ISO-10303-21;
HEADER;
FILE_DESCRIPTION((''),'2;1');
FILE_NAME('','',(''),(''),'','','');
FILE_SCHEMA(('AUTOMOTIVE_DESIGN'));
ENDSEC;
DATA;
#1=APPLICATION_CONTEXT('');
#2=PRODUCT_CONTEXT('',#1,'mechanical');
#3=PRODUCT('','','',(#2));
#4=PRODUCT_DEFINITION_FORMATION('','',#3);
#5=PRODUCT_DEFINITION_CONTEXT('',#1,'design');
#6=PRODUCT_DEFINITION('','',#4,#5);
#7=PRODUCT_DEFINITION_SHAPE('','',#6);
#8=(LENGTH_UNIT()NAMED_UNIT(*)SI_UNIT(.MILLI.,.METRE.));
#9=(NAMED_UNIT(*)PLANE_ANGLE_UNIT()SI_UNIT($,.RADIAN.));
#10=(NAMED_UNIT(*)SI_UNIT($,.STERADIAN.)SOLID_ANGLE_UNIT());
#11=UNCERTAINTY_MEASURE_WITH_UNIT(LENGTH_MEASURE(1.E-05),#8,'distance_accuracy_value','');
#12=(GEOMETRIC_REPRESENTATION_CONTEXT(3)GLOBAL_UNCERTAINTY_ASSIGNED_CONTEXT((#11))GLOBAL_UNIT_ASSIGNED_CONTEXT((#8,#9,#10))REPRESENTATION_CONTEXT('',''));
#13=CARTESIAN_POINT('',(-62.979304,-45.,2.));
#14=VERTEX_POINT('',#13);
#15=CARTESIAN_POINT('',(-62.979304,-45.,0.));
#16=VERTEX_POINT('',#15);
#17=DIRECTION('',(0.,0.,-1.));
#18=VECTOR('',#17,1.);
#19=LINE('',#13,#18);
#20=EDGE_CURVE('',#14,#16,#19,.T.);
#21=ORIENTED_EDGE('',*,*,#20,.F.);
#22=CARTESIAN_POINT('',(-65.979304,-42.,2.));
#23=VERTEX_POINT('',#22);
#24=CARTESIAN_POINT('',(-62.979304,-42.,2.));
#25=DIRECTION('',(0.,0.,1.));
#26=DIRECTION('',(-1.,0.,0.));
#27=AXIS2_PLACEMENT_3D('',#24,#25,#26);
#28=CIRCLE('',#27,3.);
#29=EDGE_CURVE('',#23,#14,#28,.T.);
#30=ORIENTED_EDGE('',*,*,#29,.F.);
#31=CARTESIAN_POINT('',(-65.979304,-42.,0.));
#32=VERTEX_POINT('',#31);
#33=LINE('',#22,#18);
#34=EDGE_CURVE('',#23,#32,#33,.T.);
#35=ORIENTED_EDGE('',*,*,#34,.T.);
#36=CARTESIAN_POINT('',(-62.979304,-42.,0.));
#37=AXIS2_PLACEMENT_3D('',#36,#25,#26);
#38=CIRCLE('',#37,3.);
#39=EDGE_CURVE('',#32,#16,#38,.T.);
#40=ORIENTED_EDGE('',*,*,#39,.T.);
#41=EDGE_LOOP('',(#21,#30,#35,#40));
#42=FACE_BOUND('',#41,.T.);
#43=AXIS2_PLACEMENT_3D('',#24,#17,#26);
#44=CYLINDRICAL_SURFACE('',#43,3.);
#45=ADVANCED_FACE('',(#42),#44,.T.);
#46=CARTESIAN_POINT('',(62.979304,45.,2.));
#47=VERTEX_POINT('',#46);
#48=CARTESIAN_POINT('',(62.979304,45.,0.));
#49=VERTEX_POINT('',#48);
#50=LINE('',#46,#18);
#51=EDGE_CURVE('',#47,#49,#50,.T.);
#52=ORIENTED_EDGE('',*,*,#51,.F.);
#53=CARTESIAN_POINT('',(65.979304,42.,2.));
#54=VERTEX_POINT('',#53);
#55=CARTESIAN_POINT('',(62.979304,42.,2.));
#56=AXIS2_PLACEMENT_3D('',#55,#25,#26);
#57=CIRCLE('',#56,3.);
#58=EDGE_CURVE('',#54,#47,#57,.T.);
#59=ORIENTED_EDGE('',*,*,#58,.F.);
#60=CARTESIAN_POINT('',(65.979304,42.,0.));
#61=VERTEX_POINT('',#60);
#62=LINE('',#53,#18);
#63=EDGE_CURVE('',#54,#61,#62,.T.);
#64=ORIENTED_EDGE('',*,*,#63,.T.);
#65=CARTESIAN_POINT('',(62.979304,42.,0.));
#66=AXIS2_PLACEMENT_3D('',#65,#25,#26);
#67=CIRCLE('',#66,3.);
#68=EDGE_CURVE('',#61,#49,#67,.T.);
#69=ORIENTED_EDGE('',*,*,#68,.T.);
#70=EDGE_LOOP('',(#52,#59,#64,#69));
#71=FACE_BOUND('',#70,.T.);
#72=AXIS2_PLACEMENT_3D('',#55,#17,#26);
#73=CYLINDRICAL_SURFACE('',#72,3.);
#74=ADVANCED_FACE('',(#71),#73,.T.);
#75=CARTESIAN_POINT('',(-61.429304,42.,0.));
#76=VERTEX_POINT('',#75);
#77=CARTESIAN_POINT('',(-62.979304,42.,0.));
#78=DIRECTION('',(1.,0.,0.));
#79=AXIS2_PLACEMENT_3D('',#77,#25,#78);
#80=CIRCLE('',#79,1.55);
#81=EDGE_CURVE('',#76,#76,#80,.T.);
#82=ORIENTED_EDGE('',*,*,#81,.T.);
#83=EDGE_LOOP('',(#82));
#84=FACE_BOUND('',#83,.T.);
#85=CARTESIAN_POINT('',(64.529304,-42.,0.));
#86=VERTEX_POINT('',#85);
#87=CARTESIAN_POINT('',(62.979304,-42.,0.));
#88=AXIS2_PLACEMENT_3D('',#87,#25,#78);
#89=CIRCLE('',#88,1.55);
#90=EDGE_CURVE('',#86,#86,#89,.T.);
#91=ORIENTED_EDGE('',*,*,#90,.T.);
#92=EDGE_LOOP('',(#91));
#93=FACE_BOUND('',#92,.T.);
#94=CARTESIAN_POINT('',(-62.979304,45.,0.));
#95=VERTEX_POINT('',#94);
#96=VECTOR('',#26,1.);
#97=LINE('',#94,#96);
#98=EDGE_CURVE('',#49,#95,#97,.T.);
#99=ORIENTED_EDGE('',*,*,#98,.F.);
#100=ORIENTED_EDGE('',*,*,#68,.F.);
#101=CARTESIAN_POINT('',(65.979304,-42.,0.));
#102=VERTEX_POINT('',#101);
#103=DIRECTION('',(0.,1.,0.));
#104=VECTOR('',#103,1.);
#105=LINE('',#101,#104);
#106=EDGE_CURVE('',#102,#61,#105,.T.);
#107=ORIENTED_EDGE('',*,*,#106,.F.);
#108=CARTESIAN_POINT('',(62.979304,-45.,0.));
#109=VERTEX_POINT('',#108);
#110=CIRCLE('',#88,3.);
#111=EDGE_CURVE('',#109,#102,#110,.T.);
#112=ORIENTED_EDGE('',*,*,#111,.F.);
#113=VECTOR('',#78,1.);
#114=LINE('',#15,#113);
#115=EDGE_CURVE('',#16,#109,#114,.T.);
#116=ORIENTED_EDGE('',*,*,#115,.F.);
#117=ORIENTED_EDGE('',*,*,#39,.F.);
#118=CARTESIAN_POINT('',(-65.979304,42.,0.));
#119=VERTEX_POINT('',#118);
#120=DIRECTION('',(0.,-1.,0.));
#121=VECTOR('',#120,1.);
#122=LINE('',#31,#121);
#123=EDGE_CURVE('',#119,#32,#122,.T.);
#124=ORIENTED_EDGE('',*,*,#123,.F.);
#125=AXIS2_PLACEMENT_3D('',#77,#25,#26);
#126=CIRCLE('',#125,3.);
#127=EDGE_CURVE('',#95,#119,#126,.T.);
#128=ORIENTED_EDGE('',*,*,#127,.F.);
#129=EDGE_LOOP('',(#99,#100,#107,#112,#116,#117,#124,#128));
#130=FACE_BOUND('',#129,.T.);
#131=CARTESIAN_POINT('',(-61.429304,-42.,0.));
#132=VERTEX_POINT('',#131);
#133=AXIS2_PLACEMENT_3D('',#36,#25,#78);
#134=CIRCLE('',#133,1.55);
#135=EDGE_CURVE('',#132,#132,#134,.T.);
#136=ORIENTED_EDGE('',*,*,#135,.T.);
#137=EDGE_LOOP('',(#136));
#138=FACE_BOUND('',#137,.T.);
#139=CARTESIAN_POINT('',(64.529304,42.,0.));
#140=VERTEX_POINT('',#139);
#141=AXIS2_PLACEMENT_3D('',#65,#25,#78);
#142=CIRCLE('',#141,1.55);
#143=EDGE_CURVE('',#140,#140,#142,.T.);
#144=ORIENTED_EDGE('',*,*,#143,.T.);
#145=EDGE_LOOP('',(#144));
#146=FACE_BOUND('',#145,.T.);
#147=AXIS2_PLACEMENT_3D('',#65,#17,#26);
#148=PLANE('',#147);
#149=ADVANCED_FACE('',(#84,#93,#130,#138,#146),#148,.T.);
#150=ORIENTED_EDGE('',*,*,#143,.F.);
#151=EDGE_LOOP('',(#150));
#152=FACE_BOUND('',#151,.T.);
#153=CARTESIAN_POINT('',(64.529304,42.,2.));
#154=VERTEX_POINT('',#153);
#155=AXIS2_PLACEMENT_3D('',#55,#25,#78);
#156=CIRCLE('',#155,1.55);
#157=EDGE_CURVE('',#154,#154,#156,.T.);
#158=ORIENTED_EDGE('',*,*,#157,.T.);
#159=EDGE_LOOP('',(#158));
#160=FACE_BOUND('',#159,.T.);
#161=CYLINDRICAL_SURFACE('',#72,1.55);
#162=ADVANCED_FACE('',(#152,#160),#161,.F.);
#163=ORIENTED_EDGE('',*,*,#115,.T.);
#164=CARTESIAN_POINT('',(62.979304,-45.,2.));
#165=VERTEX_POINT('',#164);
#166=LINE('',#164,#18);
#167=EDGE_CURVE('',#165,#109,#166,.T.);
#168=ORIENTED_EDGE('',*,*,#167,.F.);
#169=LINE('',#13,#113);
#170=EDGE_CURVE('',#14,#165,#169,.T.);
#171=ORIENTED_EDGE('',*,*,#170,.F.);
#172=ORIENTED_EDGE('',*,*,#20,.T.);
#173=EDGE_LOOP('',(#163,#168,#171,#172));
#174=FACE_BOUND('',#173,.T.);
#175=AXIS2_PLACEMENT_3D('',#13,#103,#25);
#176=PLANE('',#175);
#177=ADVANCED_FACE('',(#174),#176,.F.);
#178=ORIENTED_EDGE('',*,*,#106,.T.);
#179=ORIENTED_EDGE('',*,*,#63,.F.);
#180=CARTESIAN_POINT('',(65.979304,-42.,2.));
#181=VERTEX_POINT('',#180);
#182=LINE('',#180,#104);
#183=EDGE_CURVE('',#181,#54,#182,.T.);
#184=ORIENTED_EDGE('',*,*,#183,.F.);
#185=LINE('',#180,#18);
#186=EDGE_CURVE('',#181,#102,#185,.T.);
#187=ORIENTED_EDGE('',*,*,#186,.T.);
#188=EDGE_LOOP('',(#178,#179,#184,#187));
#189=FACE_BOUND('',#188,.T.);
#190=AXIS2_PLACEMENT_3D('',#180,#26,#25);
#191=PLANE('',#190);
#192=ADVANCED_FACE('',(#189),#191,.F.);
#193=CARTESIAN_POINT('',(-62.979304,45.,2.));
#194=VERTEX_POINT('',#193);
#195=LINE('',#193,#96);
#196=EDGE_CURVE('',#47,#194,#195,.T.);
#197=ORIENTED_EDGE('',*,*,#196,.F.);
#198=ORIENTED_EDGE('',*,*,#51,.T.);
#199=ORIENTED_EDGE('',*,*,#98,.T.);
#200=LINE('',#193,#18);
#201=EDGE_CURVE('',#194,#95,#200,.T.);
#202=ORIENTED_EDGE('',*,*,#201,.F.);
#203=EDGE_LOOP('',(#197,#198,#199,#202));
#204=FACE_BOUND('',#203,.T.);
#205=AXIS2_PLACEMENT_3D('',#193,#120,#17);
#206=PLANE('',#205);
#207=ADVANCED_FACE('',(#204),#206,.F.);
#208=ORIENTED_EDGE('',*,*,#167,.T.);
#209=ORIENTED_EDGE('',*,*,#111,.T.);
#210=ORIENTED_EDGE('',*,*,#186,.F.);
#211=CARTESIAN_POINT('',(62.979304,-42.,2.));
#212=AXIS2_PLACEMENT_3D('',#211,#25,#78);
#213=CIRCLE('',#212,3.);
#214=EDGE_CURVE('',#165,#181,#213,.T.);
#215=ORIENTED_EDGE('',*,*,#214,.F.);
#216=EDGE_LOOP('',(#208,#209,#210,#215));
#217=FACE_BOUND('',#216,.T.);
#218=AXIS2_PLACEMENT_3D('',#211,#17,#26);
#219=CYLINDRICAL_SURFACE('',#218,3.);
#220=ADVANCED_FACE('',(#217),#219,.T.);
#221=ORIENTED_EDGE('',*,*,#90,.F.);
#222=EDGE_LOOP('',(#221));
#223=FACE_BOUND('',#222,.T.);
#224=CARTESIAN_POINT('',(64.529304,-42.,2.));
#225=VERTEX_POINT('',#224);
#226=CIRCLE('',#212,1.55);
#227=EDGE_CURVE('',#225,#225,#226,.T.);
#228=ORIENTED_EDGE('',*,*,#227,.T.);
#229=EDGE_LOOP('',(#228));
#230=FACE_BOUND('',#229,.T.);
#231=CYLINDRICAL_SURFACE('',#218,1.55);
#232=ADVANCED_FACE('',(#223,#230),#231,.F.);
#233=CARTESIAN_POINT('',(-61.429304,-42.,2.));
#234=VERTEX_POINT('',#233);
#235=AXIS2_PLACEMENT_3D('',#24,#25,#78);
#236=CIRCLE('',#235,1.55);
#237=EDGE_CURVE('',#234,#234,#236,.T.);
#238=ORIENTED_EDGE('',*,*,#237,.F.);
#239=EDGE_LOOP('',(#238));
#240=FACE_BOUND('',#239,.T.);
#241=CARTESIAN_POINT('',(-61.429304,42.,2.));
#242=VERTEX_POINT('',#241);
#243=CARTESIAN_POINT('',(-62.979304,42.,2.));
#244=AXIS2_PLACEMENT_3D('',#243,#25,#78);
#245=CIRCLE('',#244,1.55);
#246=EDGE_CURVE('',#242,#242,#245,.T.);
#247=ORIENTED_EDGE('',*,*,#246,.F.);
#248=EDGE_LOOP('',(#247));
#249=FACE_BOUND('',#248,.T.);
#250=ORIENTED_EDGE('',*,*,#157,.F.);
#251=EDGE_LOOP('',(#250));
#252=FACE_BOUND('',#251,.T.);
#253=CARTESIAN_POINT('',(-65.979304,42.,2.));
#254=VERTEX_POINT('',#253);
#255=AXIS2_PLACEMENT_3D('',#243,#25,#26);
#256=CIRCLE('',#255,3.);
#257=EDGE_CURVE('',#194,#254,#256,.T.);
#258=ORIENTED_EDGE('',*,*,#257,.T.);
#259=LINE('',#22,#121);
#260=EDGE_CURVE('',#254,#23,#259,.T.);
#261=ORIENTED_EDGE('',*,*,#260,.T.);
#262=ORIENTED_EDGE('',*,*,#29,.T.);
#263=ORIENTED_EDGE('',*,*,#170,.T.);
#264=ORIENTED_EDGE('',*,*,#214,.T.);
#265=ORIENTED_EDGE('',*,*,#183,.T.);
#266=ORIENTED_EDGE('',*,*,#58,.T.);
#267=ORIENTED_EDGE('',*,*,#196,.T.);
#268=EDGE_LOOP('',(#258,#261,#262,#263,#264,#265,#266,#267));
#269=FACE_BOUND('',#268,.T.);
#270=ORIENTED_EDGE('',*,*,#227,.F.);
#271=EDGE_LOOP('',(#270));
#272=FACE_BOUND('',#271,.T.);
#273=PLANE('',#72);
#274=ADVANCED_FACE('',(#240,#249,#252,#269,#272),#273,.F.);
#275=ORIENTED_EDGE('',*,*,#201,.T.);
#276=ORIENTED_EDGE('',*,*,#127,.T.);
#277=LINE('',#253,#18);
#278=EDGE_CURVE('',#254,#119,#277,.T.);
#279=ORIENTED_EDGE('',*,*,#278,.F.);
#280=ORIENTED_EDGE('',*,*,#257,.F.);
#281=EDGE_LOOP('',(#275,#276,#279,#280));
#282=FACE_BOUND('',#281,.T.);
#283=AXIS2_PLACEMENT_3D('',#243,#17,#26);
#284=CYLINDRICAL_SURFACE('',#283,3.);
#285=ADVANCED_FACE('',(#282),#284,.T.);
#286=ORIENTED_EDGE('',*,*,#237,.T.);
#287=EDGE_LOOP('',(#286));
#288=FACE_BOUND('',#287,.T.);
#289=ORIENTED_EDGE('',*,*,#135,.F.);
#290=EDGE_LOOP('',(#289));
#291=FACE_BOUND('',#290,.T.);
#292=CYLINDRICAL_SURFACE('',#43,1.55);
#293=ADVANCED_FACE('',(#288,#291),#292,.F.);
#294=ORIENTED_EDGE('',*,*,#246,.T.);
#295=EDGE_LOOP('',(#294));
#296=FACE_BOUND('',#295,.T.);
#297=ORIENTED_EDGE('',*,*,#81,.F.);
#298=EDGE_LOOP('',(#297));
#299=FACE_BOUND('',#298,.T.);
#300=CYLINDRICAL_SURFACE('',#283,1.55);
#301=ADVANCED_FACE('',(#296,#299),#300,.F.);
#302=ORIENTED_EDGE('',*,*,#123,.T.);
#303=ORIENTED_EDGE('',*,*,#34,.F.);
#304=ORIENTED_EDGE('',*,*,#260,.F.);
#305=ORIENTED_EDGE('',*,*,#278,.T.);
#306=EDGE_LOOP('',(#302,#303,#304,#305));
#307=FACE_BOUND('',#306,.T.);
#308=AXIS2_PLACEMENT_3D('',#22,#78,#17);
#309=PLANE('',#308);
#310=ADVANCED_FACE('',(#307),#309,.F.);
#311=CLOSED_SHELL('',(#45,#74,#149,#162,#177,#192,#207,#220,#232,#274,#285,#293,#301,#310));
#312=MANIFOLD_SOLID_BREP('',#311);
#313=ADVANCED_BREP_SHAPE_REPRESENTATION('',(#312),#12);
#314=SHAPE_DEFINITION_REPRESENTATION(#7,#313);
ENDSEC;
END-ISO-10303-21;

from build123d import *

# Parameters (mm, degrees)
SKETCH1_R           = 1.55
BOSS_EXTRUDE1_DEPTH = 2


with BuildPart() as part:
    # Sketch1 → Boss-Extrude1 (new body)
    with BuildSketch(Plane.XY):
        with BuildLine():
            Line((-62.979304314, -45), (62.979304314, -45))
            ThreePointArc((62.979304314, -45), (65.100624658, -44.121320344), (65.979304314, -42))
            Line((65.979304314, -42), (65.979304314, 42))
            ThreePointArc((65.979304314, 42), (65.100624658, 44.121320344), (62.979304314, 45))
            Line((62.979304314, 45), (-62.979304314, 45))
            ThreePointArc((-62.979304314, 45), (-65.100624658, 44.121320344), (-65.979304314, 42))
            Line((-65.979304314, 42), (-65.979304314, -42))
            ThreePointArc((-65.979304314, -42), (-65.100624658, -44.121320344), (-62.979304314, -45))
        make_face()
        with Locations((-62.979304314, 42)):
            Circle(SKETCH1_R, mode=Mode.SUBTRACT)
        with Locations((-62.979304314, -42)):
            Circle(SKETCH1_R, mode=Mode.SUBTRACT)
        with Locations((62.979304314, -42)):
            Circle(SKETCH1_R, mode=Mode.SUBTRACT)
        with Locations((62.979304314, 42)):
            Circle(SKETCH1_R, mode=Mode.SUBTRACT)
    extrude(amount=BOSS_EXTRUDE1_DEPTH)


solid = part.part
